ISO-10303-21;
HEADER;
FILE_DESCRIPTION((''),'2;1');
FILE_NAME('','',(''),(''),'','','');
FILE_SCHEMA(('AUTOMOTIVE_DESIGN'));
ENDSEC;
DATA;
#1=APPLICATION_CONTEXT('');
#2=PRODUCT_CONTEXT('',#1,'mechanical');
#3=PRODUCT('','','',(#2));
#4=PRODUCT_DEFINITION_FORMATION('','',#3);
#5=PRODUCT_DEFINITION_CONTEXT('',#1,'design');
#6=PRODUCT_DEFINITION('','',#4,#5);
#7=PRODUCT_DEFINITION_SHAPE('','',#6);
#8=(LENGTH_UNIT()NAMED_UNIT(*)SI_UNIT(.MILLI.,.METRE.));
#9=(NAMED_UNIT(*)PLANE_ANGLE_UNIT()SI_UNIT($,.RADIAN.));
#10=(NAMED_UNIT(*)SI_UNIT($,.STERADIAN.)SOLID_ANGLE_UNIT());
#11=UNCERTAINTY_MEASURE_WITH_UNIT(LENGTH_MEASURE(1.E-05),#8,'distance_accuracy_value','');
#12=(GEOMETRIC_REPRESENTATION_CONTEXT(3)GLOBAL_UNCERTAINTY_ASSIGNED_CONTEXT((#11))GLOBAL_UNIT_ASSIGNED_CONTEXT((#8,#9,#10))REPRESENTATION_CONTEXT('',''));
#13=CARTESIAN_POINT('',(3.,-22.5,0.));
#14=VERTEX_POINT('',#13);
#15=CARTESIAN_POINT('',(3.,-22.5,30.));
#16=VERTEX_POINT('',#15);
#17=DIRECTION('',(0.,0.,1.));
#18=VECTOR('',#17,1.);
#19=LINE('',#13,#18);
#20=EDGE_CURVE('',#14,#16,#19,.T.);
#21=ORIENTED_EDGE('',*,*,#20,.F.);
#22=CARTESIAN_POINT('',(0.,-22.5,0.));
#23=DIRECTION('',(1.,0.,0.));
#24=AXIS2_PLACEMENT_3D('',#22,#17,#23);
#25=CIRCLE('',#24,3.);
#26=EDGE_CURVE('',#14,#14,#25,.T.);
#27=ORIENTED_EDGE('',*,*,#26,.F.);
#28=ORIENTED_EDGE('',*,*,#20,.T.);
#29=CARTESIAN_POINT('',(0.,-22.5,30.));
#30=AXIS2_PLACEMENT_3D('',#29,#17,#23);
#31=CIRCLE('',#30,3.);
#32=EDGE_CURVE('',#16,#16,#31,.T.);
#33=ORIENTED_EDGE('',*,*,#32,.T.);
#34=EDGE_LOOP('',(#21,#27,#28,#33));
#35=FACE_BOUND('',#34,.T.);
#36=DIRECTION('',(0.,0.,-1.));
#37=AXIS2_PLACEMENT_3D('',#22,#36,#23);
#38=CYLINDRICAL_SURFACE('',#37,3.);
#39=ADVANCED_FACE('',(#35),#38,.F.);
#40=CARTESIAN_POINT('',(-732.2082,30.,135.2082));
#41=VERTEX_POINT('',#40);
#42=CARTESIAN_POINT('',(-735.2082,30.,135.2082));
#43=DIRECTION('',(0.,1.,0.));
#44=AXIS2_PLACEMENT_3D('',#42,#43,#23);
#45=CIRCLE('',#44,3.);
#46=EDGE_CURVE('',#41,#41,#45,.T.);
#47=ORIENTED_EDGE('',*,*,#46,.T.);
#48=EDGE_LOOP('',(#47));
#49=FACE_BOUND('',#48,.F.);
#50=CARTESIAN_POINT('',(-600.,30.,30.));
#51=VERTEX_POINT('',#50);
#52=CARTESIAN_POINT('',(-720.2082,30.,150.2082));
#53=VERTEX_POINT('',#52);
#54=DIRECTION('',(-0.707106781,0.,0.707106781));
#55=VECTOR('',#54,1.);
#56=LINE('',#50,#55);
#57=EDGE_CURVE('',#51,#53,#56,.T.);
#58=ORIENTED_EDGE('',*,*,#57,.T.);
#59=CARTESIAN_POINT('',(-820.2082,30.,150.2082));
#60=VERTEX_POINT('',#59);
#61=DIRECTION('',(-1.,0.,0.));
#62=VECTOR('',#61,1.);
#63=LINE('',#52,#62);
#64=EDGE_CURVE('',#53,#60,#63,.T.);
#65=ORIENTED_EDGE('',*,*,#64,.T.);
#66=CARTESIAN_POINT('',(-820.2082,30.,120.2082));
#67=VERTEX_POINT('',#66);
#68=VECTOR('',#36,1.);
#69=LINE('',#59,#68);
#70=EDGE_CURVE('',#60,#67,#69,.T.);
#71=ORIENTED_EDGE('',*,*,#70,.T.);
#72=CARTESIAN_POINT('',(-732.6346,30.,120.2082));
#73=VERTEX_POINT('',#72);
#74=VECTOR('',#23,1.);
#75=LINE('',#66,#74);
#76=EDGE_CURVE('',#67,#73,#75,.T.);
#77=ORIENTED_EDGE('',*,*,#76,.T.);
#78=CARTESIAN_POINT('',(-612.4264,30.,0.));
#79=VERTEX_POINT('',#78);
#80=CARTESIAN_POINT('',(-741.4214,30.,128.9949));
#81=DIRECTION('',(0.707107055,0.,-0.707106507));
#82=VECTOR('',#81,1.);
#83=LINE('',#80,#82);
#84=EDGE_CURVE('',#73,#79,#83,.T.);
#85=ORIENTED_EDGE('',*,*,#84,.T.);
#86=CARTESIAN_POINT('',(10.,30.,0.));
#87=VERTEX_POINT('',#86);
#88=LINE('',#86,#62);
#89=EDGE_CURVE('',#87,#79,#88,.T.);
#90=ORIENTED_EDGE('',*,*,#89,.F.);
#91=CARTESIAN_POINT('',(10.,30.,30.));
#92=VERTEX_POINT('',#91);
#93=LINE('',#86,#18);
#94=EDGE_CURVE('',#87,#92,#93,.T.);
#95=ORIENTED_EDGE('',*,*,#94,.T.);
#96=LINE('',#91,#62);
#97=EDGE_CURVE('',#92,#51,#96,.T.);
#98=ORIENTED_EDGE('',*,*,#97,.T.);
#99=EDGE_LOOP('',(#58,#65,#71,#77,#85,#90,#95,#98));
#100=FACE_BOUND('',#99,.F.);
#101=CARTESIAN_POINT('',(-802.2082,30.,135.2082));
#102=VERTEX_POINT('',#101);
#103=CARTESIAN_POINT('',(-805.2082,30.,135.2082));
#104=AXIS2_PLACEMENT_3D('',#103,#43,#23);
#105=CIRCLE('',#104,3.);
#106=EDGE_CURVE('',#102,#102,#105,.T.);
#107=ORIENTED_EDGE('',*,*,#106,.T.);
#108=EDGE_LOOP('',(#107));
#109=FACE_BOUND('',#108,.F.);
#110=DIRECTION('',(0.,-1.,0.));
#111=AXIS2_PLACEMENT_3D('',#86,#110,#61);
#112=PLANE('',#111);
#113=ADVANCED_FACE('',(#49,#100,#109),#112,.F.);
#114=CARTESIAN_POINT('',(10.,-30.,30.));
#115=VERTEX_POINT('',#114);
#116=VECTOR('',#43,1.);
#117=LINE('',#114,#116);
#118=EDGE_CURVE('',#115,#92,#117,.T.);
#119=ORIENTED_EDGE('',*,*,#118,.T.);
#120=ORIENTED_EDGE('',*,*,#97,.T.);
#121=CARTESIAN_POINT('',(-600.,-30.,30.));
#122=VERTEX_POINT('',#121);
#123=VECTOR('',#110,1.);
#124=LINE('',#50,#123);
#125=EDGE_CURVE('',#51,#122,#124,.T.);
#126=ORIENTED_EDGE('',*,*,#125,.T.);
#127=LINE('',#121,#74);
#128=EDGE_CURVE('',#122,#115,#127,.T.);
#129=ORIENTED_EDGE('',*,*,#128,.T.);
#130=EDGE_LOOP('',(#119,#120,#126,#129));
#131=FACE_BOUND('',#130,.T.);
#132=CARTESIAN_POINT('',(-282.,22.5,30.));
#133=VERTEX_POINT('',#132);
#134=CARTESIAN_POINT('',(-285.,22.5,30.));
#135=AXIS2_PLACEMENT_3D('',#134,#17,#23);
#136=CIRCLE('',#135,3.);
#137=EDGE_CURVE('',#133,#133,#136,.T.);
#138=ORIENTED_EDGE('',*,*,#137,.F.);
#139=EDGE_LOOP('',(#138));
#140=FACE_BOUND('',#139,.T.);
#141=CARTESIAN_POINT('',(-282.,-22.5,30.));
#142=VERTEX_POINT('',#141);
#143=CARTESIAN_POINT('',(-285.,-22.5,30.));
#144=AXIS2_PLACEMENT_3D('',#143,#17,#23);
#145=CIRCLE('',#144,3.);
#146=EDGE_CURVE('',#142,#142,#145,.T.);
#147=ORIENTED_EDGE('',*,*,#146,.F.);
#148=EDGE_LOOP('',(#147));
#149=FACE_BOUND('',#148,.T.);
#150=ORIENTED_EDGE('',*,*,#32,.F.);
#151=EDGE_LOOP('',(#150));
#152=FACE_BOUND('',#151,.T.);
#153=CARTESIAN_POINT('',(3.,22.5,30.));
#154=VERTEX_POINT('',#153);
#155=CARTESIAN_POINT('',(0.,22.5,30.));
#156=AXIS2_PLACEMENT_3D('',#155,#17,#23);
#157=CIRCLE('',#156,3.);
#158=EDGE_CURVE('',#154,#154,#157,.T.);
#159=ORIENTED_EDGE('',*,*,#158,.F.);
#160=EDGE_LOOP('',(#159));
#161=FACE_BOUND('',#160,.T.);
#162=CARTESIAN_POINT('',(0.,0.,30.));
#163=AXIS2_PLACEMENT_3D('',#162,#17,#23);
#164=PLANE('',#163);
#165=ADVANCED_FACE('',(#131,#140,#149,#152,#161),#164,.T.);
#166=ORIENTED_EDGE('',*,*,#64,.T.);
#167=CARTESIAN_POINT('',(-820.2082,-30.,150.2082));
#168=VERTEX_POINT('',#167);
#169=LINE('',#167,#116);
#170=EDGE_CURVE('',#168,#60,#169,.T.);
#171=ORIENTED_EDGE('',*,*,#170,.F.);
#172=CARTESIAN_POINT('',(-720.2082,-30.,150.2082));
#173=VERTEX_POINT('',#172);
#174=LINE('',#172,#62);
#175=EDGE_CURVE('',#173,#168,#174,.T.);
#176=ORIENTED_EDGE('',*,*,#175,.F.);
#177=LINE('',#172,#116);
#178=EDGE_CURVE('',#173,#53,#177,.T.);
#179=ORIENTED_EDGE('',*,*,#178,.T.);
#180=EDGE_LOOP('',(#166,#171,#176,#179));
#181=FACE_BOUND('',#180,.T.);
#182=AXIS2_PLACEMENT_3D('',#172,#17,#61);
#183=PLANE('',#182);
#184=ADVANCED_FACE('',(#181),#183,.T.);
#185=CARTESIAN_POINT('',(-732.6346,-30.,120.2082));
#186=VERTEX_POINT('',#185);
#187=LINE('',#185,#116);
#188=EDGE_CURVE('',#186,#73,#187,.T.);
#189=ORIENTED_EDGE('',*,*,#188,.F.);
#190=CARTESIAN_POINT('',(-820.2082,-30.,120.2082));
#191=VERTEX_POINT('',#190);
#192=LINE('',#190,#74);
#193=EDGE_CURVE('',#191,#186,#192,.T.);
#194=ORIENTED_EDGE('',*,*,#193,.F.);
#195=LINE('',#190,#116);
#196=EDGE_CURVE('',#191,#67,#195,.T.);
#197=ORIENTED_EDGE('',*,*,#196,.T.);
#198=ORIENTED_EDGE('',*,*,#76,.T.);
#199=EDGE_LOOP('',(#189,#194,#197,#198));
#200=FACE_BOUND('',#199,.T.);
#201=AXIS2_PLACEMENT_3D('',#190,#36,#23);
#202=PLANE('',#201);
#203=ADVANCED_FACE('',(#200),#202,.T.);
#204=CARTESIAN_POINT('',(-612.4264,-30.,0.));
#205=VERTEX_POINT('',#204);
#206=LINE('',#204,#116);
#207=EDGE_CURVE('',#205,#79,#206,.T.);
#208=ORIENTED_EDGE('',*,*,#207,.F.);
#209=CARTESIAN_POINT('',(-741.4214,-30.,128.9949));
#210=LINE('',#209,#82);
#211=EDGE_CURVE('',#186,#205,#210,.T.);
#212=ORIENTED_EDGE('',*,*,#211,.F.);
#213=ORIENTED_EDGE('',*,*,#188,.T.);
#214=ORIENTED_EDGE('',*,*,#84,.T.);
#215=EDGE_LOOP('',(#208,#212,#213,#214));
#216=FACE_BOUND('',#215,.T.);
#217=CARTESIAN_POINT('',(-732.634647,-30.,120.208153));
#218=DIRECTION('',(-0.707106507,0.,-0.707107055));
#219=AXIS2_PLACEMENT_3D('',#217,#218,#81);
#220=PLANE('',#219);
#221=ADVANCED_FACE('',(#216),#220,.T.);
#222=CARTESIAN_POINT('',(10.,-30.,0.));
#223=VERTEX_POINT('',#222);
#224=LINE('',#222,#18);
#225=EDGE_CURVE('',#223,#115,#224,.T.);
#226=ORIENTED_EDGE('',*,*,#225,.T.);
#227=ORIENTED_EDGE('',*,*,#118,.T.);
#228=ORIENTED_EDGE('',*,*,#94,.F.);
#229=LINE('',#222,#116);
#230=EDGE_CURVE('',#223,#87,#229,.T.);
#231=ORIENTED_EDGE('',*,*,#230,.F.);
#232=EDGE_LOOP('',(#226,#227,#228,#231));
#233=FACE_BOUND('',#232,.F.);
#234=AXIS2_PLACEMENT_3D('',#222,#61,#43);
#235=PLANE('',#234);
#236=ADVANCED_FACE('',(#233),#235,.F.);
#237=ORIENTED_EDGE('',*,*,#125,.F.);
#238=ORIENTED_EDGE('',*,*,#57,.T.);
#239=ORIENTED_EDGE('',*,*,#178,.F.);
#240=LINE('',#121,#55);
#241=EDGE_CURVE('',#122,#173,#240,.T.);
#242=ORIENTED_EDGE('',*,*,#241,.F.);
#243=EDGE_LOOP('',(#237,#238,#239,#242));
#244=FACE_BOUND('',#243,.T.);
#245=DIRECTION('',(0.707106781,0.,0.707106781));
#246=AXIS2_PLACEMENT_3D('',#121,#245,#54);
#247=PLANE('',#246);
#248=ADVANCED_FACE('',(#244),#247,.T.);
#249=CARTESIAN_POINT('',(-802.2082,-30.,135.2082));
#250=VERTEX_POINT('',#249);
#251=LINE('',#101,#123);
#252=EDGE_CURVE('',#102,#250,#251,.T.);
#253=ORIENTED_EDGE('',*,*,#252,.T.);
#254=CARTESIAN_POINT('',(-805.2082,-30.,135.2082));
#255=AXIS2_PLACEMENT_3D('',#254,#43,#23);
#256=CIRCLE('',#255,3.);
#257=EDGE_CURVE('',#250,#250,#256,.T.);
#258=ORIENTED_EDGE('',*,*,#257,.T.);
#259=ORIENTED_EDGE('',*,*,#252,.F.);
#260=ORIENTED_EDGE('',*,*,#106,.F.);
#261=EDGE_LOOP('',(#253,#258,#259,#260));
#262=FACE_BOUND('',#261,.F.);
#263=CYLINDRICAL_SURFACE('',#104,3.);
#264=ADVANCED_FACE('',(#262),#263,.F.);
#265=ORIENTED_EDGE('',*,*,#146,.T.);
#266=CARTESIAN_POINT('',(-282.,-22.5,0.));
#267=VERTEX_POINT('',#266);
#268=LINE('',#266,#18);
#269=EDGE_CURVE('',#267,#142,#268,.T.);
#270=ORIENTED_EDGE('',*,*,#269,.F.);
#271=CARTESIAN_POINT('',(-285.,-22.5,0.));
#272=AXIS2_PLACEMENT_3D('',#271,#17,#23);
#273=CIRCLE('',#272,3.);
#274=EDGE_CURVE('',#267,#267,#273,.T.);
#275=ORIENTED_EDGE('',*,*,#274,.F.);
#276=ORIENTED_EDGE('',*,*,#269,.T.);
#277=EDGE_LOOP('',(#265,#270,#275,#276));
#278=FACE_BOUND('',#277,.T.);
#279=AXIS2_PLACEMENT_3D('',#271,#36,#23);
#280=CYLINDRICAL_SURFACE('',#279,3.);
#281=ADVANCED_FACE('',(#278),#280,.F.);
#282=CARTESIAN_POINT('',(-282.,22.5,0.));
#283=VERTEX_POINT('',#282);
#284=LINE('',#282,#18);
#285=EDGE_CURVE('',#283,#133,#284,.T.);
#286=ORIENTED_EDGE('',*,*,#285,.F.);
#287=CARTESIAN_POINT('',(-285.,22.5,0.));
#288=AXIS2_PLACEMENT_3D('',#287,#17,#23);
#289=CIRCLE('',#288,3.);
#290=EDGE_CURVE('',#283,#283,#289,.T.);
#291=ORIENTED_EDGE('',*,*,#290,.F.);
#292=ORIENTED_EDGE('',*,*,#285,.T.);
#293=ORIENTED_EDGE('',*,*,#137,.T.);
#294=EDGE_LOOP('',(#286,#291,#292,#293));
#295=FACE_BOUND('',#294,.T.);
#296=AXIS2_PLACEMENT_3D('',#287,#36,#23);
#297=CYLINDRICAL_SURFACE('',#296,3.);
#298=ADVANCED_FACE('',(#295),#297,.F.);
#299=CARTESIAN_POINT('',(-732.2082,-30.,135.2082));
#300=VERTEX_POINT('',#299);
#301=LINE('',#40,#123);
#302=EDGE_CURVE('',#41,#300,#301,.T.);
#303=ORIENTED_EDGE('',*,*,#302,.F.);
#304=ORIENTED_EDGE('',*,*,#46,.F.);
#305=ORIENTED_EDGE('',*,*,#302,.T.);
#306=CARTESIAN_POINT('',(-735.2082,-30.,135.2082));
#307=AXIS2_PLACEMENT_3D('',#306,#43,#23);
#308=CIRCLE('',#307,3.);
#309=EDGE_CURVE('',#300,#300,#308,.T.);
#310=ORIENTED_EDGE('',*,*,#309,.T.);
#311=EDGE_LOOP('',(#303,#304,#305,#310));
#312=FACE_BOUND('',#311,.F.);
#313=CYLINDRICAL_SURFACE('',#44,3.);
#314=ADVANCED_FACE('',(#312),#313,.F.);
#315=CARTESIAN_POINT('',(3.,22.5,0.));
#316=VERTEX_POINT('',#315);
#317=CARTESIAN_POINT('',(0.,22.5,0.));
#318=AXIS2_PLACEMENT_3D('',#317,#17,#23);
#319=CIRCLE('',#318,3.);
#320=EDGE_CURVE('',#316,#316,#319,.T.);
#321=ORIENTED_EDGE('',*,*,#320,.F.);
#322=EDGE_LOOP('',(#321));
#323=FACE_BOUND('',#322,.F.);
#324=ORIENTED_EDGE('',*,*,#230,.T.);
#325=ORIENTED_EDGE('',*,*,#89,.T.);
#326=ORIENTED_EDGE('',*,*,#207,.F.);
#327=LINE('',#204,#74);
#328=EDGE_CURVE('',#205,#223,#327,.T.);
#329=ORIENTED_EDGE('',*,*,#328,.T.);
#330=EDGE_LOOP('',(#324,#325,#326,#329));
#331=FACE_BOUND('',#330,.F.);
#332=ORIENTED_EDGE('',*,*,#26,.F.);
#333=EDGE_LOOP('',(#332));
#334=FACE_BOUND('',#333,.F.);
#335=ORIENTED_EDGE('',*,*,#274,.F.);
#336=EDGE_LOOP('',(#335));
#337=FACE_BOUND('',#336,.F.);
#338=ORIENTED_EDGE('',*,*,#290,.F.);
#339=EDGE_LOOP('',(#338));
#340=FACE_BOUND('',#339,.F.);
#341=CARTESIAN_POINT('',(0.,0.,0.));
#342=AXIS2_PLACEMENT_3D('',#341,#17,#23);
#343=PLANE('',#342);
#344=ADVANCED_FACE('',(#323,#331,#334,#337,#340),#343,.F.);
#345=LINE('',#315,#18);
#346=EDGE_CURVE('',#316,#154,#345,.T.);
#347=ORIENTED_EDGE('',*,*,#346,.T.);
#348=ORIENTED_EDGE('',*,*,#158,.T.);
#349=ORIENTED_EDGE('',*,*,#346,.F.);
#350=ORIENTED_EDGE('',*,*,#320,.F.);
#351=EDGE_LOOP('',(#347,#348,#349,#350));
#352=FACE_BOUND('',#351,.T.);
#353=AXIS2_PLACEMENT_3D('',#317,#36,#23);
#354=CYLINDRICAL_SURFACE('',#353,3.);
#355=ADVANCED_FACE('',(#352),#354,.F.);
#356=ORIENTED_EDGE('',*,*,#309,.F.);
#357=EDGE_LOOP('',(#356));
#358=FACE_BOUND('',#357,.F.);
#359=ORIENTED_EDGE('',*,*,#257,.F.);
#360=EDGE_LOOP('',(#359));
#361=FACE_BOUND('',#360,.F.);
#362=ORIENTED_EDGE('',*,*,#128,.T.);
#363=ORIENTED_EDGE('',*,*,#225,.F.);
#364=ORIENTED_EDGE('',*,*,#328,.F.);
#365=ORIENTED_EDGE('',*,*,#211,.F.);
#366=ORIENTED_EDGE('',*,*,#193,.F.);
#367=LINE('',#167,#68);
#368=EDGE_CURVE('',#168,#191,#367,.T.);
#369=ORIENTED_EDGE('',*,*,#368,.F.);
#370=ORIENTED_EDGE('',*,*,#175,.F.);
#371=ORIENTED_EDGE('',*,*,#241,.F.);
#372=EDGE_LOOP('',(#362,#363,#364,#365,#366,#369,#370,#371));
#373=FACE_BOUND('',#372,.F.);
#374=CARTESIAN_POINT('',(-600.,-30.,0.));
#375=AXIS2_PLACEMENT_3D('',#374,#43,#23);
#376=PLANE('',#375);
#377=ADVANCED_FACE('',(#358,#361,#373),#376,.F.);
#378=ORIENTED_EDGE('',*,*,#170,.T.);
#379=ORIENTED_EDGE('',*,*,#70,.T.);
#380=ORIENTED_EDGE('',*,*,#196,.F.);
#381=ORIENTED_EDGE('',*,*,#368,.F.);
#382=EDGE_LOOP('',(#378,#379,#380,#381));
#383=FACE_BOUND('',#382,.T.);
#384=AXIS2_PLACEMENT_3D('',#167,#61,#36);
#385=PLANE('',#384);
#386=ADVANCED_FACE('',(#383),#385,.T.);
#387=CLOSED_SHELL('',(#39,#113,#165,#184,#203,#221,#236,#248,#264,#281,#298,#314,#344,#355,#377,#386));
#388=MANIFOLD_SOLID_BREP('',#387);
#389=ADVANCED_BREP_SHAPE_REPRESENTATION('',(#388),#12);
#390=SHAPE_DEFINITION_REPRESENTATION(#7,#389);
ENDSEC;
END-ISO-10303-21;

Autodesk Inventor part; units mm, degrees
ref_plane "YZ Plane" through (0, 0, 0) normal (1, 0, 0) x (0, 1, 0)
ref_plane "XZ Plane" through (0, 0, 0) normal (0, 1, 0) x (-1, 0, 0)
ref_plane "XY Plane" through (0, 0, 0) normal (0, 0, 1) x (1, 0, 0)
sketch "草圖1" plane through (0, 0, 0) normal (0, 0, 1) x (1, 0, 0)
  line L0 (-10, -30) -> (10, 30) construction
  line L1 (10, -30) -> (-10, 30) construction
  line L2 (10, 30) -> (-600, 30)
  line L3 (-600, 30) -> (-600, -30)
  line L4 (-600, -30) -> (10, -30)
  line L5 (10, -30) -> (10, 30)
  circle A0 centre (0, 22.5) radius 3
  circle A1 centre (0, -22.5) radius 3
  circle A2 centre (-285, 22.5) radius 3
  circle A3 centre (-285, -22.5) radius 3
  point P0 (0, 0)
  dimension "d0" = 20
  dimension "d1" = 60
  dimension "d2" = 610
  dimension "d4" = 6
  dimension "d5" = 6
  dimension "d8" = 6
  dimension "d9" = 6
extrude "擠出1" add sketch "草圖1" along normal blind 30
sketch "草圖2" plane through (-600, -30, 0) normal (0, -1, 0) x (1, 0, 0)
  line L0 (0, 30) -> (-120.2082, 150.2082)
  line L1 (0, 30) -> (170, 30) construction
  line L2 (-120.2082, 150.2082) -> (-141.4214, 128.9949)
  line L3 (-141.4214, 128.9949) -> (-12.4264, 0)
  line L4 (0, 0) -> (610, 0) projected
  line L5 (-12.4264, 0) -> (0, 0)
  line L6 (0, 0) -> (0, 30)
  line L7 (-120.2082, 150.2082) -> (-220.2082, 150.2082)
  line L8 (-220.2082, 150.2082) -> (-220.2082, 120.2082)
  line L9 (-220.2082, 120.2082) -> (-132.6346, 120.2082)
  point P0 (600, 0)
  dimension "d13" = 170
  dimension "d14" = 135
  dimension "d15" = 30
  dimension "d16" = 100
  dimension "d17" = 30
extrude "擠出2" add sketch "草圖2" against normal blind 60
sketch "草圖3" plane through (10, 30, 30) normal (0, 1, 0) x (1, 0, 0)
  line L0 (-830.2082, -90.2082) -> (-830.2082, -120.2082) projected
  circle A0 centre (-815.2082, -105.2082) radius 3
  circle A1 centre (-745.2082, -105.2082) radius 3
  point P0 (-10, 30)
  dimension "d22" = 6
  dimension "d23" = 6
extrude "擠出3" cut sketch "草圖3" along normal through all both and the other way through all
properties part number "DOF2"
